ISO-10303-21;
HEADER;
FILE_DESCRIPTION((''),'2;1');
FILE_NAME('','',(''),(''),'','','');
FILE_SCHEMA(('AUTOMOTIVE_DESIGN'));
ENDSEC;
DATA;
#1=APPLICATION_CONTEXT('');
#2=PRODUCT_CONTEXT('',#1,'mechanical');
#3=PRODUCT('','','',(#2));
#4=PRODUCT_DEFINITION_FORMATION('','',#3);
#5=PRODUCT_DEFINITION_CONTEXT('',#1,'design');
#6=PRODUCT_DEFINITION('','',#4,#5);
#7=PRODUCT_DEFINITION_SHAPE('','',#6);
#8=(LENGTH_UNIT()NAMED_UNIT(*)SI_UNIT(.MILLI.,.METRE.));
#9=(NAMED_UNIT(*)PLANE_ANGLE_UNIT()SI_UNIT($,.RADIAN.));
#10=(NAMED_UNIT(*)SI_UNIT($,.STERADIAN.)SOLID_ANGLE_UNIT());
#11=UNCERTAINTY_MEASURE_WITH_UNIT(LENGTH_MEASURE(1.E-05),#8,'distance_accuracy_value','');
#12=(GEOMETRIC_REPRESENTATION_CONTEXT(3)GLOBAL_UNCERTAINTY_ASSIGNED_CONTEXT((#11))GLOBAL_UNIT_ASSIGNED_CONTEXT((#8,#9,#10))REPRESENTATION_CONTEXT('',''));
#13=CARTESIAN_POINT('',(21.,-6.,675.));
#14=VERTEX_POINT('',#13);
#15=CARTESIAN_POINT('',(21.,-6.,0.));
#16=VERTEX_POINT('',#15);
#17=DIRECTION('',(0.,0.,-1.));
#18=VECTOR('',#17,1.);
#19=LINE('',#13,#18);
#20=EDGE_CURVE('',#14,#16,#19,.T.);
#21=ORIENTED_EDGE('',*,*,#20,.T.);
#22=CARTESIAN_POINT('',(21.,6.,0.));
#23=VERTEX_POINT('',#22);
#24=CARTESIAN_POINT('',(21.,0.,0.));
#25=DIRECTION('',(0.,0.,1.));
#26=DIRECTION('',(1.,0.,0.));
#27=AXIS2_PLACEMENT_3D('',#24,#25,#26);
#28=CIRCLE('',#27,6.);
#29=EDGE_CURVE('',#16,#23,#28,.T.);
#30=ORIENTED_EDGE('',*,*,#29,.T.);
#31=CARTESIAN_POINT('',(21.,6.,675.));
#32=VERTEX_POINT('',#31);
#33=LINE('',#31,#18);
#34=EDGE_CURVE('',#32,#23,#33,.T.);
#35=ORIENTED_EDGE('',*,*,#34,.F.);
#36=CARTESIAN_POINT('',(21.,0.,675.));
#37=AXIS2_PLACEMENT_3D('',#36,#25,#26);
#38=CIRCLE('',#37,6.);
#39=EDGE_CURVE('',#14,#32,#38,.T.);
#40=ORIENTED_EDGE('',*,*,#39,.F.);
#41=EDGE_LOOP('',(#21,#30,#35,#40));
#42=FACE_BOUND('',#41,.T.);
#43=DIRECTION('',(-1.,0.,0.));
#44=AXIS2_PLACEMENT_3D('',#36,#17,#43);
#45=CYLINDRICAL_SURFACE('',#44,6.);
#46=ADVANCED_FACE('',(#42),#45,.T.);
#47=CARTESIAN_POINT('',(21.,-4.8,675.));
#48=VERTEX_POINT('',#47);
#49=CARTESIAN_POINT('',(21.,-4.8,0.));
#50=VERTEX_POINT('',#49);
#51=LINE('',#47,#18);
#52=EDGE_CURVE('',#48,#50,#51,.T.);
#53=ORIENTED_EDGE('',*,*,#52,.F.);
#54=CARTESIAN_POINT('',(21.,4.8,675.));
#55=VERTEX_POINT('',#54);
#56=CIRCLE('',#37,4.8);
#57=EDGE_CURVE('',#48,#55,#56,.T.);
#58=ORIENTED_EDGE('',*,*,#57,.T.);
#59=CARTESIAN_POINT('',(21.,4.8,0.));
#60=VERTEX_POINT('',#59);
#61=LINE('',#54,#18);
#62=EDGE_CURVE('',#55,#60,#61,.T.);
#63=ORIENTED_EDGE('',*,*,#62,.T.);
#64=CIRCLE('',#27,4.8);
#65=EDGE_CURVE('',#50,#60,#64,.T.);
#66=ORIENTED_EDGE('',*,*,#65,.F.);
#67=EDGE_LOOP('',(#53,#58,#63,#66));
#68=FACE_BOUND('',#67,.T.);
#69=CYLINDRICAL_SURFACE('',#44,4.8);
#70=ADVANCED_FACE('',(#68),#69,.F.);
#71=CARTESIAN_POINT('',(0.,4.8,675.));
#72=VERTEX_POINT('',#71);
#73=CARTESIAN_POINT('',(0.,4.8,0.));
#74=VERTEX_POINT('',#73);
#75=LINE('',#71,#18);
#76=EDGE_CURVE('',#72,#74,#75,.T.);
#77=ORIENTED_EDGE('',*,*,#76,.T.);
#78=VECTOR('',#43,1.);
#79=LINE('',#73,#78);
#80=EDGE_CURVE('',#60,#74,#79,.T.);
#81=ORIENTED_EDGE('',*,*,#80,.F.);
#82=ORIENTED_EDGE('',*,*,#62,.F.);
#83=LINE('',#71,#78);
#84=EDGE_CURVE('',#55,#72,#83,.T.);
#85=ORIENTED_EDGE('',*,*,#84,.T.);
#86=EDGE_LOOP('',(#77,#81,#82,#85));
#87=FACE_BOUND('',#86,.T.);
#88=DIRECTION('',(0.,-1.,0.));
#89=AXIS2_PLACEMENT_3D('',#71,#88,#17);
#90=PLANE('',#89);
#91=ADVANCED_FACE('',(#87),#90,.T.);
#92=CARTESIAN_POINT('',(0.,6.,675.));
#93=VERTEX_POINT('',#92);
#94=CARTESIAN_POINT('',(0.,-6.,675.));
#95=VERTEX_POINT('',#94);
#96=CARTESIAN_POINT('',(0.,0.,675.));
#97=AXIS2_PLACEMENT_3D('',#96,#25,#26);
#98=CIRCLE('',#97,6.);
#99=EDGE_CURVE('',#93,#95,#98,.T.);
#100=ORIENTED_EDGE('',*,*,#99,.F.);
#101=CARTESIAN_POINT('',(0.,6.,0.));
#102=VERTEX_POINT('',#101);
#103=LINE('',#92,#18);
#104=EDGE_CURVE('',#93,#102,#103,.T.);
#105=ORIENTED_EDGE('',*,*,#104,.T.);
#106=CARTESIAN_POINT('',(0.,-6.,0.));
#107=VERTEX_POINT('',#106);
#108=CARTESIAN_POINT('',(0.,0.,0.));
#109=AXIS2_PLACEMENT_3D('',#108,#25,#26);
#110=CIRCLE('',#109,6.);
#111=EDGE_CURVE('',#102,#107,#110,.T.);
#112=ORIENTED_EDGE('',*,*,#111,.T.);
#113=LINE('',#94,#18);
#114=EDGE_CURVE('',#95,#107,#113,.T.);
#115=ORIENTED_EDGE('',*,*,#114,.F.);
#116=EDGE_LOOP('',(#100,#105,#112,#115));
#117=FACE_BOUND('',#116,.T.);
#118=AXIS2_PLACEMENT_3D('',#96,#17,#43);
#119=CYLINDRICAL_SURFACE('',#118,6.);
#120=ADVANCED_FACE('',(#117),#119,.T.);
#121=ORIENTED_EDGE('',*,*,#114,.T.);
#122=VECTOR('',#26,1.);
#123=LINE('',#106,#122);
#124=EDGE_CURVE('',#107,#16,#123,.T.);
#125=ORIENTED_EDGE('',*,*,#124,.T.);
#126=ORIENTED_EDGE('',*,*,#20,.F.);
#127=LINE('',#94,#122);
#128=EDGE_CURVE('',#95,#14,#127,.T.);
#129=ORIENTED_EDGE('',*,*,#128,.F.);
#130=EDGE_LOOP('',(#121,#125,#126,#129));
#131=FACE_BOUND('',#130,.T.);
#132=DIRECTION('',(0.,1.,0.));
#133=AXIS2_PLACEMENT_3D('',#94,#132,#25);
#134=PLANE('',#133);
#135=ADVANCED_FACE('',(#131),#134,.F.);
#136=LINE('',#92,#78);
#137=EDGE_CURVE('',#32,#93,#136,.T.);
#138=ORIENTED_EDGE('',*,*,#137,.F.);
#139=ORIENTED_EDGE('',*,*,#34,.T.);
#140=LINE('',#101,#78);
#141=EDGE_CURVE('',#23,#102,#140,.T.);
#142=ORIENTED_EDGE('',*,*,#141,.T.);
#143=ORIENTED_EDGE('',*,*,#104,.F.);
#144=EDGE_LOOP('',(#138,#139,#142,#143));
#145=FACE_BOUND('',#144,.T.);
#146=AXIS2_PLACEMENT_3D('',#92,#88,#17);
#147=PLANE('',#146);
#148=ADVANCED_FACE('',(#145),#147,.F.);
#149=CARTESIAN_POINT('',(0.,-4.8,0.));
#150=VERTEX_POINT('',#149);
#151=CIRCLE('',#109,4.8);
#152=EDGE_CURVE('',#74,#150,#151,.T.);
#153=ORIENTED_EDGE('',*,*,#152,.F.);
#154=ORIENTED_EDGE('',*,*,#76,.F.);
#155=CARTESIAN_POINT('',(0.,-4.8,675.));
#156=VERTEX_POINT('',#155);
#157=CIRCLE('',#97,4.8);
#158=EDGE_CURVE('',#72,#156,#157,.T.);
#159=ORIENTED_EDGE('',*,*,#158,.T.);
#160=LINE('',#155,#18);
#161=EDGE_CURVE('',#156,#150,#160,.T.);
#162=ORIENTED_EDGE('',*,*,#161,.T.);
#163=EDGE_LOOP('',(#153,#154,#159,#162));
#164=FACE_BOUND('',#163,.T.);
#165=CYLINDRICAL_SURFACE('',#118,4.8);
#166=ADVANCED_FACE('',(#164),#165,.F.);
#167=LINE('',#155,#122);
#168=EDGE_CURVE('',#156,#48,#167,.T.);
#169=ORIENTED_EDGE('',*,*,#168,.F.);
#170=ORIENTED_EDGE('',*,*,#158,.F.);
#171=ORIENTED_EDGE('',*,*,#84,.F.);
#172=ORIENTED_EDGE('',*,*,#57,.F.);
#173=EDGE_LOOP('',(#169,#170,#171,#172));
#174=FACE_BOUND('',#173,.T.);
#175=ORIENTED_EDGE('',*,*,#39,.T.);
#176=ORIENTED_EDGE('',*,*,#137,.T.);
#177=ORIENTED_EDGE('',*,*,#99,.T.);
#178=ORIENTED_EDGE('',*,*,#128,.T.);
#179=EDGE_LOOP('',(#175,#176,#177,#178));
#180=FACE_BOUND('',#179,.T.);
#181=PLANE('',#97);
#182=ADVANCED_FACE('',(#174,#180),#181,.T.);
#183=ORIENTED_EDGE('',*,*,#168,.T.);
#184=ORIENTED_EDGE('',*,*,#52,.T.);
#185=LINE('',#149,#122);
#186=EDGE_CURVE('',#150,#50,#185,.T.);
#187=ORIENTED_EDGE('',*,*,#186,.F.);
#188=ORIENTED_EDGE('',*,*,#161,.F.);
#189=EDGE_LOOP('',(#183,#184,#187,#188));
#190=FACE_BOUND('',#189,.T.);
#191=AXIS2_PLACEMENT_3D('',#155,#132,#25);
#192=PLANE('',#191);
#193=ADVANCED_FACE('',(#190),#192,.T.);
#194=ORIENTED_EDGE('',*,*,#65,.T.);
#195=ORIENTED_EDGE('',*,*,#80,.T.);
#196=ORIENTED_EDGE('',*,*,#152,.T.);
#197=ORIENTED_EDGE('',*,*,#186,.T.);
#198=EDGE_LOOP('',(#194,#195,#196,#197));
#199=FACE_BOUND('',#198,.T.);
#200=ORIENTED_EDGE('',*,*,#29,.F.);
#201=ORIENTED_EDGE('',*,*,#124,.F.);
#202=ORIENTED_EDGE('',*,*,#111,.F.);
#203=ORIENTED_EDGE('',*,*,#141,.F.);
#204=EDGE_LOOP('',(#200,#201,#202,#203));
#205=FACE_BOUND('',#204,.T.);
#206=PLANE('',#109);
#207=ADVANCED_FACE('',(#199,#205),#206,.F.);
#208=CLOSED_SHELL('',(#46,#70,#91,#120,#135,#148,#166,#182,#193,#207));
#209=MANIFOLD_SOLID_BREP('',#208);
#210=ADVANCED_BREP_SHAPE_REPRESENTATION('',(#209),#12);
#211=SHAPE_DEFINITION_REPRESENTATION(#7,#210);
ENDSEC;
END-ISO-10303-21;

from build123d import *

# Parameters (mm, degrees)
BOSS_EXTRUDE1_DEPTH = 675


with BuildPart() as part:
    # Sketch1 → Boss-Extrude1 (new body)
    with BuildSketch(Plane.XY):
        with BuildLine():
            Line((0, 6), (21, 6))
            ThreePointArc((21, 6), (27, 0), (21, -6))
            Line((21, -6), (0, -6))
            ThreePointArc((0, -6), (-6, 0), (0, 6))
        make_face()
        with BuildLine():
            Line((0, 4.8), (21, 4.8))
            ThreePointArc((21, 4.8), (25.8, 0), (21, -4.8))
            Line((21, -4.8), (0, -4.8))
            ThreePointArc((0, -4.8), (-4.8, 0), (0, 4.8))
        make_face(mode=Mode.SUBTRACT)
    extrude(amount=BOSS_EXTRUDE1_DEPTH)


solid = part.part
